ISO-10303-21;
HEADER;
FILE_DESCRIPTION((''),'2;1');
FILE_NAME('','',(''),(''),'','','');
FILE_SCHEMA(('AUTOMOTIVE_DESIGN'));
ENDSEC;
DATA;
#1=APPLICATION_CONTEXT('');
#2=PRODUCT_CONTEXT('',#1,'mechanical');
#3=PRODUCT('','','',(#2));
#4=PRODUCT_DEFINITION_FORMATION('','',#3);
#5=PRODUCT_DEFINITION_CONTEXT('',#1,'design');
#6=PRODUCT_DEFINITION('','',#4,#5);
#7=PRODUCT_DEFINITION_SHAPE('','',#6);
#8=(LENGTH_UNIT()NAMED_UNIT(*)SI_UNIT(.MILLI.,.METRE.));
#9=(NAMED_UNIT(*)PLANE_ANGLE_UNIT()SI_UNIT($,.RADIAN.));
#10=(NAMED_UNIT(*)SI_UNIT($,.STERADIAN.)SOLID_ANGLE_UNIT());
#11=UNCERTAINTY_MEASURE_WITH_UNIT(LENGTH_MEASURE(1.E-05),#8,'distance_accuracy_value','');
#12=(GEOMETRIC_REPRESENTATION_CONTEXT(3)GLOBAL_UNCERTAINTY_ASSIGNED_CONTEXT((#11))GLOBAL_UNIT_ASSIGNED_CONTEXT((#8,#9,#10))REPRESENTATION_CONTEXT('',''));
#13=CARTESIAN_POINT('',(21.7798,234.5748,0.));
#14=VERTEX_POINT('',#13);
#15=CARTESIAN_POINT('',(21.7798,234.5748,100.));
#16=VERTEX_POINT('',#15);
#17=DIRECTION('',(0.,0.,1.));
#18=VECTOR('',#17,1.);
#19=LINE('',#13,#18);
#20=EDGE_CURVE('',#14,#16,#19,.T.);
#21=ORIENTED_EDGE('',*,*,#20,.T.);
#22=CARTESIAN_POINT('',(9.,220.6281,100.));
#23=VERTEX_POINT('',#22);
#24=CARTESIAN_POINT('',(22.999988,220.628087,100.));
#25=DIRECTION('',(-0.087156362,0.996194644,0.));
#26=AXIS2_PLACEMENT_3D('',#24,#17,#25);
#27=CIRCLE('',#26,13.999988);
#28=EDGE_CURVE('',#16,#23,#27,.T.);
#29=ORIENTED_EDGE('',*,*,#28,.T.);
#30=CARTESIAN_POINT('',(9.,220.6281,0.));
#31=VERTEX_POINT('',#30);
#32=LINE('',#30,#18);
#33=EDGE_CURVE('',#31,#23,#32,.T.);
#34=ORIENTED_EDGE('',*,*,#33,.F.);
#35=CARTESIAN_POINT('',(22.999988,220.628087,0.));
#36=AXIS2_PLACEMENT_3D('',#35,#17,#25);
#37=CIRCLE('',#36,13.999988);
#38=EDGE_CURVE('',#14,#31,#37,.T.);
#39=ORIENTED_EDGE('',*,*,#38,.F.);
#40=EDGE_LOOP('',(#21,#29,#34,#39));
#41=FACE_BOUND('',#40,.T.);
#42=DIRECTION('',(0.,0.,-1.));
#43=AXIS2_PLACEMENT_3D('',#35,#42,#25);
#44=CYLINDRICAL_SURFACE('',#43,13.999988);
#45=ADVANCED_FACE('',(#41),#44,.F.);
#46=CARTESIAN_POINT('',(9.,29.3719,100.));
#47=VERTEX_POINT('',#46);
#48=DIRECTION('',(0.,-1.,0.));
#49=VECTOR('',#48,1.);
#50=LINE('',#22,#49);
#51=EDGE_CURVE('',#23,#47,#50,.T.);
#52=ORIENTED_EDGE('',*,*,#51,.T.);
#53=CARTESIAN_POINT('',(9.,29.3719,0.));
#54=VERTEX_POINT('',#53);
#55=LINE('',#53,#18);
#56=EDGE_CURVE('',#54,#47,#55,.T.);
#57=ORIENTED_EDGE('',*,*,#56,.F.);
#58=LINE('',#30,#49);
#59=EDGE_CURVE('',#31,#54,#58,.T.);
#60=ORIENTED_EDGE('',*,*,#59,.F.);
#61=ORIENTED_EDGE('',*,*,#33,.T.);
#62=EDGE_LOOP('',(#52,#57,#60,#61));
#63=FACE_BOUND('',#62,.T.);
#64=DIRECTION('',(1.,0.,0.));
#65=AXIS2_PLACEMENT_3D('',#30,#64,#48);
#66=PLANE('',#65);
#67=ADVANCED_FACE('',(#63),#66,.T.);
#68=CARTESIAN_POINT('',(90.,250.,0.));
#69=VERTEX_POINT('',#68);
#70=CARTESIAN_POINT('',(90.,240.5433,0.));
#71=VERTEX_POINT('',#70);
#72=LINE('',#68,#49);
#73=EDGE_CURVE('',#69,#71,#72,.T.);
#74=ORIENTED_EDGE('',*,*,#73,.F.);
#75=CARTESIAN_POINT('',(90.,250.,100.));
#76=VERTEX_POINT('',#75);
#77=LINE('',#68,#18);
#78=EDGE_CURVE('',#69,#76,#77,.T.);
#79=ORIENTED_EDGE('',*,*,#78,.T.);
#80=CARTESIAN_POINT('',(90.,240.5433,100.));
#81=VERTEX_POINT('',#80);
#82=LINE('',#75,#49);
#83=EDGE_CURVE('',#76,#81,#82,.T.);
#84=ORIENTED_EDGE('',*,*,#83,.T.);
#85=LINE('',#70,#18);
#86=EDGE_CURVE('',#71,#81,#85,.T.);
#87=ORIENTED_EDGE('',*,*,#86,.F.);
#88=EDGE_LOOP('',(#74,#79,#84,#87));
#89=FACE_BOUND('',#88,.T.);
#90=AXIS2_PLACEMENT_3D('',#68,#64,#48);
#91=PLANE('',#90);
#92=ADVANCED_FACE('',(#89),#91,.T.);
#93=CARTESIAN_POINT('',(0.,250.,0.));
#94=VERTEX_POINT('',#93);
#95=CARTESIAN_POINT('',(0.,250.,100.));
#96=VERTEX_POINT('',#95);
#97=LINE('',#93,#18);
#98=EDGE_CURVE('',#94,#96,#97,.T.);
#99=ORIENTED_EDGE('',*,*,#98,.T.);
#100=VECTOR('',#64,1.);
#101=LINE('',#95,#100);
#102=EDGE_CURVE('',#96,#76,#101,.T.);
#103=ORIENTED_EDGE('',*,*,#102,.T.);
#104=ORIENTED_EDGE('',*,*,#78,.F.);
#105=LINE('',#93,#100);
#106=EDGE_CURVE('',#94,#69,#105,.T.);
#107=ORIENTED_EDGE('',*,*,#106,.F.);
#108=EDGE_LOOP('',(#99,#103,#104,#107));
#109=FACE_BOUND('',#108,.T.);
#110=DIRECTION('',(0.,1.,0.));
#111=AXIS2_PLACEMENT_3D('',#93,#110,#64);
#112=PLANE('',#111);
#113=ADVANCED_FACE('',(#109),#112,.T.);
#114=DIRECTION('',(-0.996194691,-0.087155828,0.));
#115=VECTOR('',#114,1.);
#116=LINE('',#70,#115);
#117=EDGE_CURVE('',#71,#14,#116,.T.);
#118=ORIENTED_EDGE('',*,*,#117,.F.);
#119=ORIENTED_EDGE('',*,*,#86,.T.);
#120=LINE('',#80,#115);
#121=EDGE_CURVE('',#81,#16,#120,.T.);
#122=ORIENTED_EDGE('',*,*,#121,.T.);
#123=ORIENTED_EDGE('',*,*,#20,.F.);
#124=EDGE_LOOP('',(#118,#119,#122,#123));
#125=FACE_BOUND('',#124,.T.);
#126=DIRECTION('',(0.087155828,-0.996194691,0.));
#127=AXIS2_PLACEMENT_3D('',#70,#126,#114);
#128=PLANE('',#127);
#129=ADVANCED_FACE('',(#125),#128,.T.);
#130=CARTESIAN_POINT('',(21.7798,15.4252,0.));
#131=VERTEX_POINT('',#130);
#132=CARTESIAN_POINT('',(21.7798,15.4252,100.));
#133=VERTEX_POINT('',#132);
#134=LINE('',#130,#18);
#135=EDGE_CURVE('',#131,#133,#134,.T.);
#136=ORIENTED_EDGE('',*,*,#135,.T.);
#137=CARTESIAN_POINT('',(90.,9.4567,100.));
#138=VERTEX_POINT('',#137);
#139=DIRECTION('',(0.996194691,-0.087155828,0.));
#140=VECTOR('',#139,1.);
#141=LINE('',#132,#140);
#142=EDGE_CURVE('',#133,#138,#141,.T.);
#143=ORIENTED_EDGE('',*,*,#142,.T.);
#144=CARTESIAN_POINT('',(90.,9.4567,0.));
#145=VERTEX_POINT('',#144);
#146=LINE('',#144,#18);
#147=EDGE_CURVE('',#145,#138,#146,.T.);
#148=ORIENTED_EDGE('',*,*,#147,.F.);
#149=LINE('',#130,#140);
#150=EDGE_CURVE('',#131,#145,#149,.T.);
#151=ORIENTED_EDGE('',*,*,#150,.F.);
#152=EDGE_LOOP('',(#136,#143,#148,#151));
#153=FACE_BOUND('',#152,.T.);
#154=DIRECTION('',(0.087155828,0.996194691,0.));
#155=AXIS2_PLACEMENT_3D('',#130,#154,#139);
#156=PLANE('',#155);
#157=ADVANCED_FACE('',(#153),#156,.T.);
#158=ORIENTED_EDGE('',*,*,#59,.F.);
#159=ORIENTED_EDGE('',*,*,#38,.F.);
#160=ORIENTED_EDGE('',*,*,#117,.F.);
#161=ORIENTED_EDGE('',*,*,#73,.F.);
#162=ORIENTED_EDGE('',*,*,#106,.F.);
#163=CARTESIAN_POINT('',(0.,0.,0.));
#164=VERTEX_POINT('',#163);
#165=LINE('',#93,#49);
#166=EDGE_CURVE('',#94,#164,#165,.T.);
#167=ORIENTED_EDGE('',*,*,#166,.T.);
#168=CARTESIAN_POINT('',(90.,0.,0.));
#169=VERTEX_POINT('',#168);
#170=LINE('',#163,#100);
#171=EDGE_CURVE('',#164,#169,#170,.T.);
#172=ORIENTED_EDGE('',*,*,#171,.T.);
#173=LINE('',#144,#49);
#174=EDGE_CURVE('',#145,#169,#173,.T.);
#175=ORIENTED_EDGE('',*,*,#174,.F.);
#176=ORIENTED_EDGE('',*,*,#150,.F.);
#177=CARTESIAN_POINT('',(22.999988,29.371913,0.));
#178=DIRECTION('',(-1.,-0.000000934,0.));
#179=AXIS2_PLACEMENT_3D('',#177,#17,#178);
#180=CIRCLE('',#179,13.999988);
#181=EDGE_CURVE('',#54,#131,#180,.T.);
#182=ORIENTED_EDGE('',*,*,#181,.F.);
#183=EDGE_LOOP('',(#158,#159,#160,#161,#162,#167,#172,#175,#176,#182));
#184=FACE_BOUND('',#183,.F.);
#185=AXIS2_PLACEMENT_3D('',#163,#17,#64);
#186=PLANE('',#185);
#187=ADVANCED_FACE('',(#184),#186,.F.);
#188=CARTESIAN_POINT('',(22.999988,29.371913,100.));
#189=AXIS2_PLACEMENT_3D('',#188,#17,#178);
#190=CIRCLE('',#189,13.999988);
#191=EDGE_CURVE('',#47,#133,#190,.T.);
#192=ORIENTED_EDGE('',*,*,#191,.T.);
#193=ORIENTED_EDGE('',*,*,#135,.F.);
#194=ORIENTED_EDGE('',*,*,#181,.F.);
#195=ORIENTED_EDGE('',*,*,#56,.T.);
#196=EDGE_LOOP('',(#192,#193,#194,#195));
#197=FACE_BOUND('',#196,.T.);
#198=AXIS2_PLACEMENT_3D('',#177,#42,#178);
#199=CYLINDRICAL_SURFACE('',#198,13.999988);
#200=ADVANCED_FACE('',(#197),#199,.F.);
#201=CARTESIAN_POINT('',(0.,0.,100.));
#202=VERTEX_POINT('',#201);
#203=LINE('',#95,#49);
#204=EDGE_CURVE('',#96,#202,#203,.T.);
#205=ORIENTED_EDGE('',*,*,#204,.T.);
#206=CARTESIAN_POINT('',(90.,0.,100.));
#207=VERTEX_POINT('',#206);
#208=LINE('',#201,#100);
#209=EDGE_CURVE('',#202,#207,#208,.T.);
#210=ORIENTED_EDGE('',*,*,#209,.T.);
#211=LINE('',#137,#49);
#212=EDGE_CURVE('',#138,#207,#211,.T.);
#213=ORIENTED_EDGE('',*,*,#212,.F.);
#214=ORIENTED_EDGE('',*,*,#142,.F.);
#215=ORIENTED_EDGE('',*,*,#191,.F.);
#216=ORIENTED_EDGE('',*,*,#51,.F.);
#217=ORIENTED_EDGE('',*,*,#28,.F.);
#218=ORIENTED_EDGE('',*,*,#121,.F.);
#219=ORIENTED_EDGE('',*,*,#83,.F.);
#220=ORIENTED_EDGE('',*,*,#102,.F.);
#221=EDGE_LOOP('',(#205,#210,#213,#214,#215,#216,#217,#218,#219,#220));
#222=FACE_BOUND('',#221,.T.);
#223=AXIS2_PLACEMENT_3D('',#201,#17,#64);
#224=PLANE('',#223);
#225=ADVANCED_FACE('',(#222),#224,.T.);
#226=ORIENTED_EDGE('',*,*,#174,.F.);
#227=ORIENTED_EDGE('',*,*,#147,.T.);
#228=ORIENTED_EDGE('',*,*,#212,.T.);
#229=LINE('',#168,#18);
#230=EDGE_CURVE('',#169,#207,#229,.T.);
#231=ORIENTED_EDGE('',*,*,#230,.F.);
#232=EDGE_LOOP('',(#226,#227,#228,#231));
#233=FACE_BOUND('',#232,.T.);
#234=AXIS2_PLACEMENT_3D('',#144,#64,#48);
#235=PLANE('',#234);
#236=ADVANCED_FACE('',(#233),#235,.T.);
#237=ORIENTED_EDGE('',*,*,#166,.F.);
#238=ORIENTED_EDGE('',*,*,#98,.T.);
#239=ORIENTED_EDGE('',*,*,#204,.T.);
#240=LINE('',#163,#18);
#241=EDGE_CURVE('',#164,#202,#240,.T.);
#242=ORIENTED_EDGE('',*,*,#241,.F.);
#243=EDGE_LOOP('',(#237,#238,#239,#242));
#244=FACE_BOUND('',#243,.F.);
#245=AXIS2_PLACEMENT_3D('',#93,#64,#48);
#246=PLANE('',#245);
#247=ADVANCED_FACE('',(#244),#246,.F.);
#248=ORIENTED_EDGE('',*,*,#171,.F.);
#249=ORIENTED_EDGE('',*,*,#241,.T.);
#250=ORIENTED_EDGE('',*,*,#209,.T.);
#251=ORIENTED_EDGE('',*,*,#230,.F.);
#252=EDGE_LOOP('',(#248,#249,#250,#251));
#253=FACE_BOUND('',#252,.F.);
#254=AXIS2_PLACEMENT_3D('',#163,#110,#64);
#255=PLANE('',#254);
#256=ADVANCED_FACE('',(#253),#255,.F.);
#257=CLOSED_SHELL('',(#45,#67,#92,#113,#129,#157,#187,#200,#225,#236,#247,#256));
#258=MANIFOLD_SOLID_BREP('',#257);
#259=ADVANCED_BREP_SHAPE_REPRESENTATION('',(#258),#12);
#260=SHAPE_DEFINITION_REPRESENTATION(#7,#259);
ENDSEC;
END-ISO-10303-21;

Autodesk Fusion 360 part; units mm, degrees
sketch "スケッチ1" plane through (0, 0, 0) normal (0, 0, 1) x (1, 0, 0)
  arc A0 (21.7798, 234.5748) -> (9, 220.6281) centre (23, 220.6281) ccw
  line L0 (0, 250) -> (0, 0)
  line L1 (0, 0) -> (90, 0)
  line L2 (21.7798, 15.4252) -> (90, 9.4567)
  line L3 (9, 220.6281) -> (9, 29.3719)
  arc A1 (9, 29.3719) -> (21.7798, 15.4252) centre (23, 29.3719) ccw
  line L4 (90, 9.4567) -> (90, 0)
  line L5 (90, 240.5433) -> (21.7798, 234.5748)
  line L6 (0, 250) -> (90, 250)
  line L7 (90, 250) -> (90, 240.5433)
extrude "押し出し1" add sketch "スケッチ1" along normal blind 100
